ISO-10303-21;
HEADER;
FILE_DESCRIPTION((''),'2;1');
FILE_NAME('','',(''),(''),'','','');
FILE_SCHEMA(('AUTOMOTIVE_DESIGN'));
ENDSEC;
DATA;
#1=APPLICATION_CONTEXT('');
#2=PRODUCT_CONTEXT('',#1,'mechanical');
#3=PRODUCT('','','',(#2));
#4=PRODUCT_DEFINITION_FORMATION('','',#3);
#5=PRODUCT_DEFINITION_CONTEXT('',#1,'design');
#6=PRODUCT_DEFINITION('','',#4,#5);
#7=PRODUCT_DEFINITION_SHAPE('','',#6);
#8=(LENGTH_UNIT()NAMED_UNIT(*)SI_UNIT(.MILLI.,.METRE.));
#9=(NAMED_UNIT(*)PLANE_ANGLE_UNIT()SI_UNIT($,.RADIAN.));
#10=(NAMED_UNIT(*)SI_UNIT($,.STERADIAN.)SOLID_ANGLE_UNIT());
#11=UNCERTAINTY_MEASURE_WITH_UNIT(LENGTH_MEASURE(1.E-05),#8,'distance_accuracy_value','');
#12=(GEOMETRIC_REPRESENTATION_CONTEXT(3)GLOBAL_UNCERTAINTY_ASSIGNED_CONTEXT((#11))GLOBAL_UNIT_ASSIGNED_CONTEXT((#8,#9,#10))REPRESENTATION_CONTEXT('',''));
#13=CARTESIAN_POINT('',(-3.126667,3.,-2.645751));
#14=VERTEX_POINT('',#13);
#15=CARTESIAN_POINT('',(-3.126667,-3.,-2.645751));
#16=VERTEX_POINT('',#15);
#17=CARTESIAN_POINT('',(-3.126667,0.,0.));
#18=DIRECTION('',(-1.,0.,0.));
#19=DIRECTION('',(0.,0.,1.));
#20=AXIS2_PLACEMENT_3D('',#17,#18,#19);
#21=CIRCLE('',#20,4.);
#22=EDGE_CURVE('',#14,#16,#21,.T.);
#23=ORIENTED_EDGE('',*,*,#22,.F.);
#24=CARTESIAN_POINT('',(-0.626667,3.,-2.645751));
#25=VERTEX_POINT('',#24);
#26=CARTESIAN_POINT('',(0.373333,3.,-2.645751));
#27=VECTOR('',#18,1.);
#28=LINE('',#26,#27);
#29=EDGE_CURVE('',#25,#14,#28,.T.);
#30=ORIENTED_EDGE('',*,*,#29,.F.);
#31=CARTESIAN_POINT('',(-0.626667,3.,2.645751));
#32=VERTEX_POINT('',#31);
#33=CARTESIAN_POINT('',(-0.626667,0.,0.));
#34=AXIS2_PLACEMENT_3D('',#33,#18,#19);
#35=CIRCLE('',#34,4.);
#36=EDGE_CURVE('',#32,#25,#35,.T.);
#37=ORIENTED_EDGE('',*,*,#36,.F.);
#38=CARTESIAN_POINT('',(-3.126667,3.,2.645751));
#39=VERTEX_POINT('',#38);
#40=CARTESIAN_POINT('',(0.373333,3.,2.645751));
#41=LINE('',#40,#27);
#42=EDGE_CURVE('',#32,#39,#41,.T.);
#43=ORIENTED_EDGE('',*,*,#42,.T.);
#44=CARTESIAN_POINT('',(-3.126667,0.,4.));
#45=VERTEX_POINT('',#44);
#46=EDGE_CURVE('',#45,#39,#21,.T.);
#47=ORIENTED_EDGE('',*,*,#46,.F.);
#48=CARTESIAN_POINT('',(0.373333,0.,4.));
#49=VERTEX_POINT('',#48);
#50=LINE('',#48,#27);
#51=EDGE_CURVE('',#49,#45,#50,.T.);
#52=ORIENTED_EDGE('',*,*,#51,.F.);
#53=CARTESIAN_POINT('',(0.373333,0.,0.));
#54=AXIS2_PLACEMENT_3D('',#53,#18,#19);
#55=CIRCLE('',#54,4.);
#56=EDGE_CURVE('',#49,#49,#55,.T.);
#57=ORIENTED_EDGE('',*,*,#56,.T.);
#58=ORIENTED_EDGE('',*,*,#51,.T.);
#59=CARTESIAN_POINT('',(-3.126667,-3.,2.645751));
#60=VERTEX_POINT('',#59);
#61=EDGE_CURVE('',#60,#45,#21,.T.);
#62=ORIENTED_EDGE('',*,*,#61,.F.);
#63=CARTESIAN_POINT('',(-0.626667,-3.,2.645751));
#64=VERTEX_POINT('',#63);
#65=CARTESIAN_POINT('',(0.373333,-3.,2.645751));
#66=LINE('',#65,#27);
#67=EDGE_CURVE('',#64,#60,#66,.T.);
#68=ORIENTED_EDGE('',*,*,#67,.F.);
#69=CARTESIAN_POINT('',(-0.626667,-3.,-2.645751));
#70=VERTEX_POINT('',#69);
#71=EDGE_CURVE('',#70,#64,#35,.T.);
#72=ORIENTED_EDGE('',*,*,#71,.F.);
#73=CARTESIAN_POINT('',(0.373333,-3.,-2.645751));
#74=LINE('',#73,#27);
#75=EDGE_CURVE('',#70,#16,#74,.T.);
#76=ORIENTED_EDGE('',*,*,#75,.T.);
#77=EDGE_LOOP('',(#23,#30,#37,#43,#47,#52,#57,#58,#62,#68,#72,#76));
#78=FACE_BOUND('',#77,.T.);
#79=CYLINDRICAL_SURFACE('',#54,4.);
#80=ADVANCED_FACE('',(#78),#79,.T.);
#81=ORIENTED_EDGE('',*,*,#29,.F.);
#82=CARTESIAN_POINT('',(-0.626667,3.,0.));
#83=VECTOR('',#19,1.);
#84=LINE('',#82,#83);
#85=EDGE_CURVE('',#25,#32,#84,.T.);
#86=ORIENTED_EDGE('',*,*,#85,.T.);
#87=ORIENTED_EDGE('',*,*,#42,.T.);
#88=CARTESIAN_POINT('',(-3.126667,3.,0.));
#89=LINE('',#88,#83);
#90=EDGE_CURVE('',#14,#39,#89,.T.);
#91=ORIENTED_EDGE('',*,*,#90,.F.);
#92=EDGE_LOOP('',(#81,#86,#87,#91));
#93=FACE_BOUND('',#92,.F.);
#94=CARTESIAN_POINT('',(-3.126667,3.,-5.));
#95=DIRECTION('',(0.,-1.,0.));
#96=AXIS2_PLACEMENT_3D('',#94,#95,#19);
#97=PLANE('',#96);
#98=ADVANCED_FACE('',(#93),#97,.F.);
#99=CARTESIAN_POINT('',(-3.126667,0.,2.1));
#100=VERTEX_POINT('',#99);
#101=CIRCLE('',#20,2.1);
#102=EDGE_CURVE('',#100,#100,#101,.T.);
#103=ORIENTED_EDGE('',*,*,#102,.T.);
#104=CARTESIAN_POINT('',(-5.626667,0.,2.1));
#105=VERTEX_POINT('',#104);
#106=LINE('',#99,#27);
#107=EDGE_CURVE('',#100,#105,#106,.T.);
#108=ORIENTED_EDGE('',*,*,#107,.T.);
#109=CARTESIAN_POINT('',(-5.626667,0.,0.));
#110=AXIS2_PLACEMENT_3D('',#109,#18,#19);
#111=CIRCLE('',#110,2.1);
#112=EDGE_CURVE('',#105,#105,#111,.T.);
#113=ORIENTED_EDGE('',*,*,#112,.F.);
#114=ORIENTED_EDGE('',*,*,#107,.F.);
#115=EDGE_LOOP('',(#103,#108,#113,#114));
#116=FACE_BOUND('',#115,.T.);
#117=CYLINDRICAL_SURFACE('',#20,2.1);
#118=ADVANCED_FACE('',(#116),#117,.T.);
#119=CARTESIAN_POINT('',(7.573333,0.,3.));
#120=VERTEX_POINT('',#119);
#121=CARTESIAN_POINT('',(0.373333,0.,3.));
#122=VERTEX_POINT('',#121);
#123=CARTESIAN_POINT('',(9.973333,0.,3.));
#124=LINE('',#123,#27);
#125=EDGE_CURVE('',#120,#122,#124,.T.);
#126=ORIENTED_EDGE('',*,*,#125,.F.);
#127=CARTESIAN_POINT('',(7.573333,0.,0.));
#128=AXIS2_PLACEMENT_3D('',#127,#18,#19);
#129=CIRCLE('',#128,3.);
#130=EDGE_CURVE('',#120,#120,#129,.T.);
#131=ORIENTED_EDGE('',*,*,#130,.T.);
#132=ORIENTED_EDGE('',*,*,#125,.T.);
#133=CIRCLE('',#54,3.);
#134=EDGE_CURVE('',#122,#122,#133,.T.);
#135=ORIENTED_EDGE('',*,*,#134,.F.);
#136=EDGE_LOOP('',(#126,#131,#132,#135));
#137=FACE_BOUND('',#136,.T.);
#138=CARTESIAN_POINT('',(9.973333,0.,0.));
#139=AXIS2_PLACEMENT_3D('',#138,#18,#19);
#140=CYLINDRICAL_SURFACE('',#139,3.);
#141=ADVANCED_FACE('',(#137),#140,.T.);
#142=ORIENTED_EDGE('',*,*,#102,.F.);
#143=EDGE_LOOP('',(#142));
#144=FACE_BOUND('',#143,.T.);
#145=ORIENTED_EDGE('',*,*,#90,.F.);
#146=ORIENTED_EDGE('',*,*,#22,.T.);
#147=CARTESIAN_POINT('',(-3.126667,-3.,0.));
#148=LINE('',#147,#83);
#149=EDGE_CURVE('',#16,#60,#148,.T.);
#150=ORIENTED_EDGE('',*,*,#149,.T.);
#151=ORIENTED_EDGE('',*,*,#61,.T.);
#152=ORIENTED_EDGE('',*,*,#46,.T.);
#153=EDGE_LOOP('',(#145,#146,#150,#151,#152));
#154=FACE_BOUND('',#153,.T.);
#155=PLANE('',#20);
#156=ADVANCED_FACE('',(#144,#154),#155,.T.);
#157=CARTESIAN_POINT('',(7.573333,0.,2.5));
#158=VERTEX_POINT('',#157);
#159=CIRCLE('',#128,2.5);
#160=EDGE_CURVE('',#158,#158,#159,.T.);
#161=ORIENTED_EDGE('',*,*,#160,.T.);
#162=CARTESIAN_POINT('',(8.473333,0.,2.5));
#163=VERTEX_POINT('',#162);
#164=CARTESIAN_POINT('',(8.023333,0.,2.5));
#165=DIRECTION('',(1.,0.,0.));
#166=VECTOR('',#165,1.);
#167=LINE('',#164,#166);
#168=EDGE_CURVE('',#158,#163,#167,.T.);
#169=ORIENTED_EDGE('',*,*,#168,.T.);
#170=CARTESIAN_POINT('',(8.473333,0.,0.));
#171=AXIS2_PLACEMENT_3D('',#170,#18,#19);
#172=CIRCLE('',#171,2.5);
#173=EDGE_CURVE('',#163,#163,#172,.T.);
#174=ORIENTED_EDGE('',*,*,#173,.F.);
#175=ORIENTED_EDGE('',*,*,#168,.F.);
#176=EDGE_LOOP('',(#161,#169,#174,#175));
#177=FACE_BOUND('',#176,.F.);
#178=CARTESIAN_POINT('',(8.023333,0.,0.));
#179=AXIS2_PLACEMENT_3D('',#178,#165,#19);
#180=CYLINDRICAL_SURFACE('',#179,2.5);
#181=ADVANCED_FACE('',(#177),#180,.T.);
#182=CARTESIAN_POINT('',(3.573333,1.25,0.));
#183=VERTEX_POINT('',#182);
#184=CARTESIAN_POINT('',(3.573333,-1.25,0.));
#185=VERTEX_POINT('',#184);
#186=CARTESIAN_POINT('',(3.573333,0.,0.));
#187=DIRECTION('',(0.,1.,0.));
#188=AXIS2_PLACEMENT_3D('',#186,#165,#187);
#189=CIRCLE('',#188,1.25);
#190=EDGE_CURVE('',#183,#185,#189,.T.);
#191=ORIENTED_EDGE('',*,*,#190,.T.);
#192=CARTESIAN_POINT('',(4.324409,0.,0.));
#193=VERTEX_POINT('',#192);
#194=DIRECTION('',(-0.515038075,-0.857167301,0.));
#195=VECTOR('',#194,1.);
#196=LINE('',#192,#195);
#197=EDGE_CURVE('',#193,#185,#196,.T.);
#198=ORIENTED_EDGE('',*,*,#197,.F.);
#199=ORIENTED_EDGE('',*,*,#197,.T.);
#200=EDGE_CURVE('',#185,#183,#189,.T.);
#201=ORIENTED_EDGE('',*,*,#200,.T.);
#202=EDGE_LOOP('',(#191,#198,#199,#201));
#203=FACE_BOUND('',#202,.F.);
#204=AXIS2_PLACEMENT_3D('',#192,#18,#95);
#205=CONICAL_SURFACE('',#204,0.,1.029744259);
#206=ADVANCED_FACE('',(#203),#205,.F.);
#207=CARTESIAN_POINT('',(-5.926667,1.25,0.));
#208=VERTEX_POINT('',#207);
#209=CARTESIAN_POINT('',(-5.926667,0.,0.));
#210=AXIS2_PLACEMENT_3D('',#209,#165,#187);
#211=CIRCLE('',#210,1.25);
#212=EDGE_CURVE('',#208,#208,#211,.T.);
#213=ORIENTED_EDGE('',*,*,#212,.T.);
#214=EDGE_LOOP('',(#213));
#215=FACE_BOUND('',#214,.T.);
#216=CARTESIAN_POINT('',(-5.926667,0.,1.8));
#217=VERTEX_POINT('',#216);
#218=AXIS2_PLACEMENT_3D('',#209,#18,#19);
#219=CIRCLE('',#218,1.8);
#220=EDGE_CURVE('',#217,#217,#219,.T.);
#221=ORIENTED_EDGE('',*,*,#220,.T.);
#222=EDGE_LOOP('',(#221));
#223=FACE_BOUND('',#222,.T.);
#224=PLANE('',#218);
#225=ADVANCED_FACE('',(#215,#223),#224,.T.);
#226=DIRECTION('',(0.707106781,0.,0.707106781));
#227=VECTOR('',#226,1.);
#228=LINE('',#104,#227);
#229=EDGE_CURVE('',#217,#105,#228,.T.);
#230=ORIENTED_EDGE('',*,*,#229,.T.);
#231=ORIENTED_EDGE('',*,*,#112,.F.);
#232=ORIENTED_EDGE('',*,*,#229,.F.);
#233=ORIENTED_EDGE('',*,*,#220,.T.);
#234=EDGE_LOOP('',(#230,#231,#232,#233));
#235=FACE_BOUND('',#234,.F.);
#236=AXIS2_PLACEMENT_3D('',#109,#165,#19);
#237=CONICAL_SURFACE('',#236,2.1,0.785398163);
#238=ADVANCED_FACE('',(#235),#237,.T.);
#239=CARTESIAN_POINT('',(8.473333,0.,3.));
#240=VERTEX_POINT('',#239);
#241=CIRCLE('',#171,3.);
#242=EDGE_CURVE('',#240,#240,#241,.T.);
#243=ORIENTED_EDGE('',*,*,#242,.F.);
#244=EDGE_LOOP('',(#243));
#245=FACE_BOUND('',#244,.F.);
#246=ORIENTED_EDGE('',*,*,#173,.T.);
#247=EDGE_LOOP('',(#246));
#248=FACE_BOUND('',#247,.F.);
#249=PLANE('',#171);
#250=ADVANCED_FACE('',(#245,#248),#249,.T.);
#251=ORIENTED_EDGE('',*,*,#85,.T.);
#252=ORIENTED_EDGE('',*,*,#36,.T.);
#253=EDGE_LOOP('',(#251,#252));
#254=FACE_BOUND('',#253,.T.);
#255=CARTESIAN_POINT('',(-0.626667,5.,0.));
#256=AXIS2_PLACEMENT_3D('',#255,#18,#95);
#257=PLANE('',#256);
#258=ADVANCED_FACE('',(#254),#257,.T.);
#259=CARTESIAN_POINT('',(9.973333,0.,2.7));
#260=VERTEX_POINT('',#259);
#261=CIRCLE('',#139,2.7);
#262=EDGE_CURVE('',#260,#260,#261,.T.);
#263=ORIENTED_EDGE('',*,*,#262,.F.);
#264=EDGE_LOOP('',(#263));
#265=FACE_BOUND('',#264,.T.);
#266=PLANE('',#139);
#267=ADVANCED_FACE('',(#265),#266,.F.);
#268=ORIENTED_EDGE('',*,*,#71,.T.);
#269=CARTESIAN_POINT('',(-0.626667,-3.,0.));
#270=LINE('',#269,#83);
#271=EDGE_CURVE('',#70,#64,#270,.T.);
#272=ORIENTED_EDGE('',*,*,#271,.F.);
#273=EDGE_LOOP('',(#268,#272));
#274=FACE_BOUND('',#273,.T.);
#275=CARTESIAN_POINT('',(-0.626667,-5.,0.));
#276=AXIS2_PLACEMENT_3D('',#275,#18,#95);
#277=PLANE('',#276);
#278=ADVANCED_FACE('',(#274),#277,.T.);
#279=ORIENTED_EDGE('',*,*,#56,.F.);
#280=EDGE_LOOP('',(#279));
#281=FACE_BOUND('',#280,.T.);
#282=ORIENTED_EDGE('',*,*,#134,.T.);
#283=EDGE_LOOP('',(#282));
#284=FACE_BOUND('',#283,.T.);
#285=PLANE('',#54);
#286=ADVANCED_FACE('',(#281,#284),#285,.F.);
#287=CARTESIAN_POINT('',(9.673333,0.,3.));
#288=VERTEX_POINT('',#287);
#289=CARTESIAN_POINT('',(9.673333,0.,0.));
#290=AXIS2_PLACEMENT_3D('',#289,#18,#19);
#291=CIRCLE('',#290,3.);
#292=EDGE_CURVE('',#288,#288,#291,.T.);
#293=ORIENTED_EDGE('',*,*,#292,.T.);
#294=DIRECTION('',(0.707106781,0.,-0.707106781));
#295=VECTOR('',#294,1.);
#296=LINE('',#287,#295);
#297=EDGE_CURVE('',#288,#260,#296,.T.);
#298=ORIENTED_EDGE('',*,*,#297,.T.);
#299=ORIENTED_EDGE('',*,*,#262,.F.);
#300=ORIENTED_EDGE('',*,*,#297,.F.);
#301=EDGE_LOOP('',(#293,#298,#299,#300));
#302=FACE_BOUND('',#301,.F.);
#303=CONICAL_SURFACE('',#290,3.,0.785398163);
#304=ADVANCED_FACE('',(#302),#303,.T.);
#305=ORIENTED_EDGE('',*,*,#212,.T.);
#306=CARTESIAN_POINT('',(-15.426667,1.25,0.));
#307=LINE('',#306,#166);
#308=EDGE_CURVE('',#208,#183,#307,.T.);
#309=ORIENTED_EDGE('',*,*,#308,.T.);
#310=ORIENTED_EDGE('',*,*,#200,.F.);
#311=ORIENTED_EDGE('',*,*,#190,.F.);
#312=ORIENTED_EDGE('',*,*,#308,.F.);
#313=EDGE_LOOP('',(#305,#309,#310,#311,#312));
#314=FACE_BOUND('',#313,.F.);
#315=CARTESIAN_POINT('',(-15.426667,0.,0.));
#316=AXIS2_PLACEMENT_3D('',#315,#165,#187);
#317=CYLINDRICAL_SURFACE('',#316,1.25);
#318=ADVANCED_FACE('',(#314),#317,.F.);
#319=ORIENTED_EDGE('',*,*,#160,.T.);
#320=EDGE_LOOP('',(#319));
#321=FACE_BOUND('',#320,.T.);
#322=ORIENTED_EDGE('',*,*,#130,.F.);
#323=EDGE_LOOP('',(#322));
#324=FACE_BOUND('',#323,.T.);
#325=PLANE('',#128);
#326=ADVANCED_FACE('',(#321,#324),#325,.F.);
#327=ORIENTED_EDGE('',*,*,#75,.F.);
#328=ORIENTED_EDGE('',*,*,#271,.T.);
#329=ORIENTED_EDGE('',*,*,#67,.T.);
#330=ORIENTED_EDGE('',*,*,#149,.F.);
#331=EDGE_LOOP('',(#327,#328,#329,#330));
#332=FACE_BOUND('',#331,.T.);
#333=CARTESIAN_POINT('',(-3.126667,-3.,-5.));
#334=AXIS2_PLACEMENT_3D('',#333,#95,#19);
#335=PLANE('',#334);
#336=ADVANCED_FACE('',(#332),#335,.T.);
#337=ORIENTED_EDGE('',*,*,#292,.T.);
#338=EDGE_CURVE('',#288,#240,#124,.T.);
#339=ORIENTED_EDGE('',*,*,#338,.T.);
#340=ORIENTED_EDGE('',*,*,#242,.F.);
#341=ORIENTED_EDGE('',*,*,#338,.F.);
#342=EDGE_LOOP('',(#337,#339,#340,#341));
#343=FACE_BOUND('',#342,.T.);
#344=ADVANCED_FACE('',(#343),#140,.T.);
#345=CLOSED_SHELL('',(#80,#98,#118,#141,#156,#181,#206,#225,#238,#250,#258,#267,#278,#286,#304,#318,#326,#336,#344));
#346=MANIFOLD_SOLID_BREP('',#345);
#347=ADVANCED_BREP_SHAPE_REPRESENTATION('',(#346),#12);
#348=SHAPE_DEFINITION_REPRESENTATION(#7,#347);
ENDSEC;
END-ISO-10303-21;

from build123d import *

# Parameters (mm, degrees)
F2_W     = 4
F2_H     = 10
F3_DEPTH = 2.5
F5_D     = 2.5
F5_DEPTH = 9.5
F5_TIP   = 0.7510757738
F6_W     = 0.9
F6_H     = 2
F8_SIZE  = 0.3


with BuildPart() as f1:
    # F0 (on Front) → F1 (revolve)
    with BuildSketch(Plane.XZ):
        Polygon((-5.9266670129, 2.1), (-5.9266670129, 0), (9.9733329871, 0), (9.9733329871, 3), (0.3733329871, 3), (0.3733329871, 4), (-3.1266670129, 4), (-3.1266670129, 2.1), align=None)
    revolve(axis=Axis((2.0233329871, 0, 0), (-1, 0, 0)))

    # F2 (on face) → F3 (cut)
    with BuildSketch(Plane(origin=(-3.1266670129, 0, 0), x_dir=(0, -1, 0), z_dir=(-1, 0, 0))):
        with Locations((5, 0)):
            Rectangle(F2_W, F2_H)
        with Locations((-5, 0)):
            Rectangle(F2_W, F2_H)
    extrude(amount=-F3_DEPTH, mode=Mode.SUBTRACT)

    # F5
    with Locations(Plane(origin=(-5.9266670129, 0, 0), x_dir=(0, -1, 0), z_dir=(-1, 0, 0))):
        with Locations((0, 0)):
            Hole(F5_D / 2, depth=F5_DEPTH)
            with Locations((0, 0, -(F5_DEPTH + F5_TIP / 2))):  # 118° drill point
                Cone(0, F5_D / 2, F5_TIP, mode=Mode.SUBTRACT)

    # F6 (on Front) → F7 (revolve, cut)
    with BuildSketch(Plane.XZ):
        with Locations((8.0233329871, 3.5)):
            Rectangle(F6_W, F6_H)
    revolve(axis=Axis((2.0233329871, 0, 0), (-1, 0, 0)), mode=Mode.SUBTRACT)

    # F8
    f8_edges = [f1.edges().sort_by_distance(p)[0] for p in [
        (9.973333, 0, -3),
        (-5.926667, 0, -2.1),
    ]]
    chamfer(f8_edges, length=F8_SIZE)


solid = f1.part
